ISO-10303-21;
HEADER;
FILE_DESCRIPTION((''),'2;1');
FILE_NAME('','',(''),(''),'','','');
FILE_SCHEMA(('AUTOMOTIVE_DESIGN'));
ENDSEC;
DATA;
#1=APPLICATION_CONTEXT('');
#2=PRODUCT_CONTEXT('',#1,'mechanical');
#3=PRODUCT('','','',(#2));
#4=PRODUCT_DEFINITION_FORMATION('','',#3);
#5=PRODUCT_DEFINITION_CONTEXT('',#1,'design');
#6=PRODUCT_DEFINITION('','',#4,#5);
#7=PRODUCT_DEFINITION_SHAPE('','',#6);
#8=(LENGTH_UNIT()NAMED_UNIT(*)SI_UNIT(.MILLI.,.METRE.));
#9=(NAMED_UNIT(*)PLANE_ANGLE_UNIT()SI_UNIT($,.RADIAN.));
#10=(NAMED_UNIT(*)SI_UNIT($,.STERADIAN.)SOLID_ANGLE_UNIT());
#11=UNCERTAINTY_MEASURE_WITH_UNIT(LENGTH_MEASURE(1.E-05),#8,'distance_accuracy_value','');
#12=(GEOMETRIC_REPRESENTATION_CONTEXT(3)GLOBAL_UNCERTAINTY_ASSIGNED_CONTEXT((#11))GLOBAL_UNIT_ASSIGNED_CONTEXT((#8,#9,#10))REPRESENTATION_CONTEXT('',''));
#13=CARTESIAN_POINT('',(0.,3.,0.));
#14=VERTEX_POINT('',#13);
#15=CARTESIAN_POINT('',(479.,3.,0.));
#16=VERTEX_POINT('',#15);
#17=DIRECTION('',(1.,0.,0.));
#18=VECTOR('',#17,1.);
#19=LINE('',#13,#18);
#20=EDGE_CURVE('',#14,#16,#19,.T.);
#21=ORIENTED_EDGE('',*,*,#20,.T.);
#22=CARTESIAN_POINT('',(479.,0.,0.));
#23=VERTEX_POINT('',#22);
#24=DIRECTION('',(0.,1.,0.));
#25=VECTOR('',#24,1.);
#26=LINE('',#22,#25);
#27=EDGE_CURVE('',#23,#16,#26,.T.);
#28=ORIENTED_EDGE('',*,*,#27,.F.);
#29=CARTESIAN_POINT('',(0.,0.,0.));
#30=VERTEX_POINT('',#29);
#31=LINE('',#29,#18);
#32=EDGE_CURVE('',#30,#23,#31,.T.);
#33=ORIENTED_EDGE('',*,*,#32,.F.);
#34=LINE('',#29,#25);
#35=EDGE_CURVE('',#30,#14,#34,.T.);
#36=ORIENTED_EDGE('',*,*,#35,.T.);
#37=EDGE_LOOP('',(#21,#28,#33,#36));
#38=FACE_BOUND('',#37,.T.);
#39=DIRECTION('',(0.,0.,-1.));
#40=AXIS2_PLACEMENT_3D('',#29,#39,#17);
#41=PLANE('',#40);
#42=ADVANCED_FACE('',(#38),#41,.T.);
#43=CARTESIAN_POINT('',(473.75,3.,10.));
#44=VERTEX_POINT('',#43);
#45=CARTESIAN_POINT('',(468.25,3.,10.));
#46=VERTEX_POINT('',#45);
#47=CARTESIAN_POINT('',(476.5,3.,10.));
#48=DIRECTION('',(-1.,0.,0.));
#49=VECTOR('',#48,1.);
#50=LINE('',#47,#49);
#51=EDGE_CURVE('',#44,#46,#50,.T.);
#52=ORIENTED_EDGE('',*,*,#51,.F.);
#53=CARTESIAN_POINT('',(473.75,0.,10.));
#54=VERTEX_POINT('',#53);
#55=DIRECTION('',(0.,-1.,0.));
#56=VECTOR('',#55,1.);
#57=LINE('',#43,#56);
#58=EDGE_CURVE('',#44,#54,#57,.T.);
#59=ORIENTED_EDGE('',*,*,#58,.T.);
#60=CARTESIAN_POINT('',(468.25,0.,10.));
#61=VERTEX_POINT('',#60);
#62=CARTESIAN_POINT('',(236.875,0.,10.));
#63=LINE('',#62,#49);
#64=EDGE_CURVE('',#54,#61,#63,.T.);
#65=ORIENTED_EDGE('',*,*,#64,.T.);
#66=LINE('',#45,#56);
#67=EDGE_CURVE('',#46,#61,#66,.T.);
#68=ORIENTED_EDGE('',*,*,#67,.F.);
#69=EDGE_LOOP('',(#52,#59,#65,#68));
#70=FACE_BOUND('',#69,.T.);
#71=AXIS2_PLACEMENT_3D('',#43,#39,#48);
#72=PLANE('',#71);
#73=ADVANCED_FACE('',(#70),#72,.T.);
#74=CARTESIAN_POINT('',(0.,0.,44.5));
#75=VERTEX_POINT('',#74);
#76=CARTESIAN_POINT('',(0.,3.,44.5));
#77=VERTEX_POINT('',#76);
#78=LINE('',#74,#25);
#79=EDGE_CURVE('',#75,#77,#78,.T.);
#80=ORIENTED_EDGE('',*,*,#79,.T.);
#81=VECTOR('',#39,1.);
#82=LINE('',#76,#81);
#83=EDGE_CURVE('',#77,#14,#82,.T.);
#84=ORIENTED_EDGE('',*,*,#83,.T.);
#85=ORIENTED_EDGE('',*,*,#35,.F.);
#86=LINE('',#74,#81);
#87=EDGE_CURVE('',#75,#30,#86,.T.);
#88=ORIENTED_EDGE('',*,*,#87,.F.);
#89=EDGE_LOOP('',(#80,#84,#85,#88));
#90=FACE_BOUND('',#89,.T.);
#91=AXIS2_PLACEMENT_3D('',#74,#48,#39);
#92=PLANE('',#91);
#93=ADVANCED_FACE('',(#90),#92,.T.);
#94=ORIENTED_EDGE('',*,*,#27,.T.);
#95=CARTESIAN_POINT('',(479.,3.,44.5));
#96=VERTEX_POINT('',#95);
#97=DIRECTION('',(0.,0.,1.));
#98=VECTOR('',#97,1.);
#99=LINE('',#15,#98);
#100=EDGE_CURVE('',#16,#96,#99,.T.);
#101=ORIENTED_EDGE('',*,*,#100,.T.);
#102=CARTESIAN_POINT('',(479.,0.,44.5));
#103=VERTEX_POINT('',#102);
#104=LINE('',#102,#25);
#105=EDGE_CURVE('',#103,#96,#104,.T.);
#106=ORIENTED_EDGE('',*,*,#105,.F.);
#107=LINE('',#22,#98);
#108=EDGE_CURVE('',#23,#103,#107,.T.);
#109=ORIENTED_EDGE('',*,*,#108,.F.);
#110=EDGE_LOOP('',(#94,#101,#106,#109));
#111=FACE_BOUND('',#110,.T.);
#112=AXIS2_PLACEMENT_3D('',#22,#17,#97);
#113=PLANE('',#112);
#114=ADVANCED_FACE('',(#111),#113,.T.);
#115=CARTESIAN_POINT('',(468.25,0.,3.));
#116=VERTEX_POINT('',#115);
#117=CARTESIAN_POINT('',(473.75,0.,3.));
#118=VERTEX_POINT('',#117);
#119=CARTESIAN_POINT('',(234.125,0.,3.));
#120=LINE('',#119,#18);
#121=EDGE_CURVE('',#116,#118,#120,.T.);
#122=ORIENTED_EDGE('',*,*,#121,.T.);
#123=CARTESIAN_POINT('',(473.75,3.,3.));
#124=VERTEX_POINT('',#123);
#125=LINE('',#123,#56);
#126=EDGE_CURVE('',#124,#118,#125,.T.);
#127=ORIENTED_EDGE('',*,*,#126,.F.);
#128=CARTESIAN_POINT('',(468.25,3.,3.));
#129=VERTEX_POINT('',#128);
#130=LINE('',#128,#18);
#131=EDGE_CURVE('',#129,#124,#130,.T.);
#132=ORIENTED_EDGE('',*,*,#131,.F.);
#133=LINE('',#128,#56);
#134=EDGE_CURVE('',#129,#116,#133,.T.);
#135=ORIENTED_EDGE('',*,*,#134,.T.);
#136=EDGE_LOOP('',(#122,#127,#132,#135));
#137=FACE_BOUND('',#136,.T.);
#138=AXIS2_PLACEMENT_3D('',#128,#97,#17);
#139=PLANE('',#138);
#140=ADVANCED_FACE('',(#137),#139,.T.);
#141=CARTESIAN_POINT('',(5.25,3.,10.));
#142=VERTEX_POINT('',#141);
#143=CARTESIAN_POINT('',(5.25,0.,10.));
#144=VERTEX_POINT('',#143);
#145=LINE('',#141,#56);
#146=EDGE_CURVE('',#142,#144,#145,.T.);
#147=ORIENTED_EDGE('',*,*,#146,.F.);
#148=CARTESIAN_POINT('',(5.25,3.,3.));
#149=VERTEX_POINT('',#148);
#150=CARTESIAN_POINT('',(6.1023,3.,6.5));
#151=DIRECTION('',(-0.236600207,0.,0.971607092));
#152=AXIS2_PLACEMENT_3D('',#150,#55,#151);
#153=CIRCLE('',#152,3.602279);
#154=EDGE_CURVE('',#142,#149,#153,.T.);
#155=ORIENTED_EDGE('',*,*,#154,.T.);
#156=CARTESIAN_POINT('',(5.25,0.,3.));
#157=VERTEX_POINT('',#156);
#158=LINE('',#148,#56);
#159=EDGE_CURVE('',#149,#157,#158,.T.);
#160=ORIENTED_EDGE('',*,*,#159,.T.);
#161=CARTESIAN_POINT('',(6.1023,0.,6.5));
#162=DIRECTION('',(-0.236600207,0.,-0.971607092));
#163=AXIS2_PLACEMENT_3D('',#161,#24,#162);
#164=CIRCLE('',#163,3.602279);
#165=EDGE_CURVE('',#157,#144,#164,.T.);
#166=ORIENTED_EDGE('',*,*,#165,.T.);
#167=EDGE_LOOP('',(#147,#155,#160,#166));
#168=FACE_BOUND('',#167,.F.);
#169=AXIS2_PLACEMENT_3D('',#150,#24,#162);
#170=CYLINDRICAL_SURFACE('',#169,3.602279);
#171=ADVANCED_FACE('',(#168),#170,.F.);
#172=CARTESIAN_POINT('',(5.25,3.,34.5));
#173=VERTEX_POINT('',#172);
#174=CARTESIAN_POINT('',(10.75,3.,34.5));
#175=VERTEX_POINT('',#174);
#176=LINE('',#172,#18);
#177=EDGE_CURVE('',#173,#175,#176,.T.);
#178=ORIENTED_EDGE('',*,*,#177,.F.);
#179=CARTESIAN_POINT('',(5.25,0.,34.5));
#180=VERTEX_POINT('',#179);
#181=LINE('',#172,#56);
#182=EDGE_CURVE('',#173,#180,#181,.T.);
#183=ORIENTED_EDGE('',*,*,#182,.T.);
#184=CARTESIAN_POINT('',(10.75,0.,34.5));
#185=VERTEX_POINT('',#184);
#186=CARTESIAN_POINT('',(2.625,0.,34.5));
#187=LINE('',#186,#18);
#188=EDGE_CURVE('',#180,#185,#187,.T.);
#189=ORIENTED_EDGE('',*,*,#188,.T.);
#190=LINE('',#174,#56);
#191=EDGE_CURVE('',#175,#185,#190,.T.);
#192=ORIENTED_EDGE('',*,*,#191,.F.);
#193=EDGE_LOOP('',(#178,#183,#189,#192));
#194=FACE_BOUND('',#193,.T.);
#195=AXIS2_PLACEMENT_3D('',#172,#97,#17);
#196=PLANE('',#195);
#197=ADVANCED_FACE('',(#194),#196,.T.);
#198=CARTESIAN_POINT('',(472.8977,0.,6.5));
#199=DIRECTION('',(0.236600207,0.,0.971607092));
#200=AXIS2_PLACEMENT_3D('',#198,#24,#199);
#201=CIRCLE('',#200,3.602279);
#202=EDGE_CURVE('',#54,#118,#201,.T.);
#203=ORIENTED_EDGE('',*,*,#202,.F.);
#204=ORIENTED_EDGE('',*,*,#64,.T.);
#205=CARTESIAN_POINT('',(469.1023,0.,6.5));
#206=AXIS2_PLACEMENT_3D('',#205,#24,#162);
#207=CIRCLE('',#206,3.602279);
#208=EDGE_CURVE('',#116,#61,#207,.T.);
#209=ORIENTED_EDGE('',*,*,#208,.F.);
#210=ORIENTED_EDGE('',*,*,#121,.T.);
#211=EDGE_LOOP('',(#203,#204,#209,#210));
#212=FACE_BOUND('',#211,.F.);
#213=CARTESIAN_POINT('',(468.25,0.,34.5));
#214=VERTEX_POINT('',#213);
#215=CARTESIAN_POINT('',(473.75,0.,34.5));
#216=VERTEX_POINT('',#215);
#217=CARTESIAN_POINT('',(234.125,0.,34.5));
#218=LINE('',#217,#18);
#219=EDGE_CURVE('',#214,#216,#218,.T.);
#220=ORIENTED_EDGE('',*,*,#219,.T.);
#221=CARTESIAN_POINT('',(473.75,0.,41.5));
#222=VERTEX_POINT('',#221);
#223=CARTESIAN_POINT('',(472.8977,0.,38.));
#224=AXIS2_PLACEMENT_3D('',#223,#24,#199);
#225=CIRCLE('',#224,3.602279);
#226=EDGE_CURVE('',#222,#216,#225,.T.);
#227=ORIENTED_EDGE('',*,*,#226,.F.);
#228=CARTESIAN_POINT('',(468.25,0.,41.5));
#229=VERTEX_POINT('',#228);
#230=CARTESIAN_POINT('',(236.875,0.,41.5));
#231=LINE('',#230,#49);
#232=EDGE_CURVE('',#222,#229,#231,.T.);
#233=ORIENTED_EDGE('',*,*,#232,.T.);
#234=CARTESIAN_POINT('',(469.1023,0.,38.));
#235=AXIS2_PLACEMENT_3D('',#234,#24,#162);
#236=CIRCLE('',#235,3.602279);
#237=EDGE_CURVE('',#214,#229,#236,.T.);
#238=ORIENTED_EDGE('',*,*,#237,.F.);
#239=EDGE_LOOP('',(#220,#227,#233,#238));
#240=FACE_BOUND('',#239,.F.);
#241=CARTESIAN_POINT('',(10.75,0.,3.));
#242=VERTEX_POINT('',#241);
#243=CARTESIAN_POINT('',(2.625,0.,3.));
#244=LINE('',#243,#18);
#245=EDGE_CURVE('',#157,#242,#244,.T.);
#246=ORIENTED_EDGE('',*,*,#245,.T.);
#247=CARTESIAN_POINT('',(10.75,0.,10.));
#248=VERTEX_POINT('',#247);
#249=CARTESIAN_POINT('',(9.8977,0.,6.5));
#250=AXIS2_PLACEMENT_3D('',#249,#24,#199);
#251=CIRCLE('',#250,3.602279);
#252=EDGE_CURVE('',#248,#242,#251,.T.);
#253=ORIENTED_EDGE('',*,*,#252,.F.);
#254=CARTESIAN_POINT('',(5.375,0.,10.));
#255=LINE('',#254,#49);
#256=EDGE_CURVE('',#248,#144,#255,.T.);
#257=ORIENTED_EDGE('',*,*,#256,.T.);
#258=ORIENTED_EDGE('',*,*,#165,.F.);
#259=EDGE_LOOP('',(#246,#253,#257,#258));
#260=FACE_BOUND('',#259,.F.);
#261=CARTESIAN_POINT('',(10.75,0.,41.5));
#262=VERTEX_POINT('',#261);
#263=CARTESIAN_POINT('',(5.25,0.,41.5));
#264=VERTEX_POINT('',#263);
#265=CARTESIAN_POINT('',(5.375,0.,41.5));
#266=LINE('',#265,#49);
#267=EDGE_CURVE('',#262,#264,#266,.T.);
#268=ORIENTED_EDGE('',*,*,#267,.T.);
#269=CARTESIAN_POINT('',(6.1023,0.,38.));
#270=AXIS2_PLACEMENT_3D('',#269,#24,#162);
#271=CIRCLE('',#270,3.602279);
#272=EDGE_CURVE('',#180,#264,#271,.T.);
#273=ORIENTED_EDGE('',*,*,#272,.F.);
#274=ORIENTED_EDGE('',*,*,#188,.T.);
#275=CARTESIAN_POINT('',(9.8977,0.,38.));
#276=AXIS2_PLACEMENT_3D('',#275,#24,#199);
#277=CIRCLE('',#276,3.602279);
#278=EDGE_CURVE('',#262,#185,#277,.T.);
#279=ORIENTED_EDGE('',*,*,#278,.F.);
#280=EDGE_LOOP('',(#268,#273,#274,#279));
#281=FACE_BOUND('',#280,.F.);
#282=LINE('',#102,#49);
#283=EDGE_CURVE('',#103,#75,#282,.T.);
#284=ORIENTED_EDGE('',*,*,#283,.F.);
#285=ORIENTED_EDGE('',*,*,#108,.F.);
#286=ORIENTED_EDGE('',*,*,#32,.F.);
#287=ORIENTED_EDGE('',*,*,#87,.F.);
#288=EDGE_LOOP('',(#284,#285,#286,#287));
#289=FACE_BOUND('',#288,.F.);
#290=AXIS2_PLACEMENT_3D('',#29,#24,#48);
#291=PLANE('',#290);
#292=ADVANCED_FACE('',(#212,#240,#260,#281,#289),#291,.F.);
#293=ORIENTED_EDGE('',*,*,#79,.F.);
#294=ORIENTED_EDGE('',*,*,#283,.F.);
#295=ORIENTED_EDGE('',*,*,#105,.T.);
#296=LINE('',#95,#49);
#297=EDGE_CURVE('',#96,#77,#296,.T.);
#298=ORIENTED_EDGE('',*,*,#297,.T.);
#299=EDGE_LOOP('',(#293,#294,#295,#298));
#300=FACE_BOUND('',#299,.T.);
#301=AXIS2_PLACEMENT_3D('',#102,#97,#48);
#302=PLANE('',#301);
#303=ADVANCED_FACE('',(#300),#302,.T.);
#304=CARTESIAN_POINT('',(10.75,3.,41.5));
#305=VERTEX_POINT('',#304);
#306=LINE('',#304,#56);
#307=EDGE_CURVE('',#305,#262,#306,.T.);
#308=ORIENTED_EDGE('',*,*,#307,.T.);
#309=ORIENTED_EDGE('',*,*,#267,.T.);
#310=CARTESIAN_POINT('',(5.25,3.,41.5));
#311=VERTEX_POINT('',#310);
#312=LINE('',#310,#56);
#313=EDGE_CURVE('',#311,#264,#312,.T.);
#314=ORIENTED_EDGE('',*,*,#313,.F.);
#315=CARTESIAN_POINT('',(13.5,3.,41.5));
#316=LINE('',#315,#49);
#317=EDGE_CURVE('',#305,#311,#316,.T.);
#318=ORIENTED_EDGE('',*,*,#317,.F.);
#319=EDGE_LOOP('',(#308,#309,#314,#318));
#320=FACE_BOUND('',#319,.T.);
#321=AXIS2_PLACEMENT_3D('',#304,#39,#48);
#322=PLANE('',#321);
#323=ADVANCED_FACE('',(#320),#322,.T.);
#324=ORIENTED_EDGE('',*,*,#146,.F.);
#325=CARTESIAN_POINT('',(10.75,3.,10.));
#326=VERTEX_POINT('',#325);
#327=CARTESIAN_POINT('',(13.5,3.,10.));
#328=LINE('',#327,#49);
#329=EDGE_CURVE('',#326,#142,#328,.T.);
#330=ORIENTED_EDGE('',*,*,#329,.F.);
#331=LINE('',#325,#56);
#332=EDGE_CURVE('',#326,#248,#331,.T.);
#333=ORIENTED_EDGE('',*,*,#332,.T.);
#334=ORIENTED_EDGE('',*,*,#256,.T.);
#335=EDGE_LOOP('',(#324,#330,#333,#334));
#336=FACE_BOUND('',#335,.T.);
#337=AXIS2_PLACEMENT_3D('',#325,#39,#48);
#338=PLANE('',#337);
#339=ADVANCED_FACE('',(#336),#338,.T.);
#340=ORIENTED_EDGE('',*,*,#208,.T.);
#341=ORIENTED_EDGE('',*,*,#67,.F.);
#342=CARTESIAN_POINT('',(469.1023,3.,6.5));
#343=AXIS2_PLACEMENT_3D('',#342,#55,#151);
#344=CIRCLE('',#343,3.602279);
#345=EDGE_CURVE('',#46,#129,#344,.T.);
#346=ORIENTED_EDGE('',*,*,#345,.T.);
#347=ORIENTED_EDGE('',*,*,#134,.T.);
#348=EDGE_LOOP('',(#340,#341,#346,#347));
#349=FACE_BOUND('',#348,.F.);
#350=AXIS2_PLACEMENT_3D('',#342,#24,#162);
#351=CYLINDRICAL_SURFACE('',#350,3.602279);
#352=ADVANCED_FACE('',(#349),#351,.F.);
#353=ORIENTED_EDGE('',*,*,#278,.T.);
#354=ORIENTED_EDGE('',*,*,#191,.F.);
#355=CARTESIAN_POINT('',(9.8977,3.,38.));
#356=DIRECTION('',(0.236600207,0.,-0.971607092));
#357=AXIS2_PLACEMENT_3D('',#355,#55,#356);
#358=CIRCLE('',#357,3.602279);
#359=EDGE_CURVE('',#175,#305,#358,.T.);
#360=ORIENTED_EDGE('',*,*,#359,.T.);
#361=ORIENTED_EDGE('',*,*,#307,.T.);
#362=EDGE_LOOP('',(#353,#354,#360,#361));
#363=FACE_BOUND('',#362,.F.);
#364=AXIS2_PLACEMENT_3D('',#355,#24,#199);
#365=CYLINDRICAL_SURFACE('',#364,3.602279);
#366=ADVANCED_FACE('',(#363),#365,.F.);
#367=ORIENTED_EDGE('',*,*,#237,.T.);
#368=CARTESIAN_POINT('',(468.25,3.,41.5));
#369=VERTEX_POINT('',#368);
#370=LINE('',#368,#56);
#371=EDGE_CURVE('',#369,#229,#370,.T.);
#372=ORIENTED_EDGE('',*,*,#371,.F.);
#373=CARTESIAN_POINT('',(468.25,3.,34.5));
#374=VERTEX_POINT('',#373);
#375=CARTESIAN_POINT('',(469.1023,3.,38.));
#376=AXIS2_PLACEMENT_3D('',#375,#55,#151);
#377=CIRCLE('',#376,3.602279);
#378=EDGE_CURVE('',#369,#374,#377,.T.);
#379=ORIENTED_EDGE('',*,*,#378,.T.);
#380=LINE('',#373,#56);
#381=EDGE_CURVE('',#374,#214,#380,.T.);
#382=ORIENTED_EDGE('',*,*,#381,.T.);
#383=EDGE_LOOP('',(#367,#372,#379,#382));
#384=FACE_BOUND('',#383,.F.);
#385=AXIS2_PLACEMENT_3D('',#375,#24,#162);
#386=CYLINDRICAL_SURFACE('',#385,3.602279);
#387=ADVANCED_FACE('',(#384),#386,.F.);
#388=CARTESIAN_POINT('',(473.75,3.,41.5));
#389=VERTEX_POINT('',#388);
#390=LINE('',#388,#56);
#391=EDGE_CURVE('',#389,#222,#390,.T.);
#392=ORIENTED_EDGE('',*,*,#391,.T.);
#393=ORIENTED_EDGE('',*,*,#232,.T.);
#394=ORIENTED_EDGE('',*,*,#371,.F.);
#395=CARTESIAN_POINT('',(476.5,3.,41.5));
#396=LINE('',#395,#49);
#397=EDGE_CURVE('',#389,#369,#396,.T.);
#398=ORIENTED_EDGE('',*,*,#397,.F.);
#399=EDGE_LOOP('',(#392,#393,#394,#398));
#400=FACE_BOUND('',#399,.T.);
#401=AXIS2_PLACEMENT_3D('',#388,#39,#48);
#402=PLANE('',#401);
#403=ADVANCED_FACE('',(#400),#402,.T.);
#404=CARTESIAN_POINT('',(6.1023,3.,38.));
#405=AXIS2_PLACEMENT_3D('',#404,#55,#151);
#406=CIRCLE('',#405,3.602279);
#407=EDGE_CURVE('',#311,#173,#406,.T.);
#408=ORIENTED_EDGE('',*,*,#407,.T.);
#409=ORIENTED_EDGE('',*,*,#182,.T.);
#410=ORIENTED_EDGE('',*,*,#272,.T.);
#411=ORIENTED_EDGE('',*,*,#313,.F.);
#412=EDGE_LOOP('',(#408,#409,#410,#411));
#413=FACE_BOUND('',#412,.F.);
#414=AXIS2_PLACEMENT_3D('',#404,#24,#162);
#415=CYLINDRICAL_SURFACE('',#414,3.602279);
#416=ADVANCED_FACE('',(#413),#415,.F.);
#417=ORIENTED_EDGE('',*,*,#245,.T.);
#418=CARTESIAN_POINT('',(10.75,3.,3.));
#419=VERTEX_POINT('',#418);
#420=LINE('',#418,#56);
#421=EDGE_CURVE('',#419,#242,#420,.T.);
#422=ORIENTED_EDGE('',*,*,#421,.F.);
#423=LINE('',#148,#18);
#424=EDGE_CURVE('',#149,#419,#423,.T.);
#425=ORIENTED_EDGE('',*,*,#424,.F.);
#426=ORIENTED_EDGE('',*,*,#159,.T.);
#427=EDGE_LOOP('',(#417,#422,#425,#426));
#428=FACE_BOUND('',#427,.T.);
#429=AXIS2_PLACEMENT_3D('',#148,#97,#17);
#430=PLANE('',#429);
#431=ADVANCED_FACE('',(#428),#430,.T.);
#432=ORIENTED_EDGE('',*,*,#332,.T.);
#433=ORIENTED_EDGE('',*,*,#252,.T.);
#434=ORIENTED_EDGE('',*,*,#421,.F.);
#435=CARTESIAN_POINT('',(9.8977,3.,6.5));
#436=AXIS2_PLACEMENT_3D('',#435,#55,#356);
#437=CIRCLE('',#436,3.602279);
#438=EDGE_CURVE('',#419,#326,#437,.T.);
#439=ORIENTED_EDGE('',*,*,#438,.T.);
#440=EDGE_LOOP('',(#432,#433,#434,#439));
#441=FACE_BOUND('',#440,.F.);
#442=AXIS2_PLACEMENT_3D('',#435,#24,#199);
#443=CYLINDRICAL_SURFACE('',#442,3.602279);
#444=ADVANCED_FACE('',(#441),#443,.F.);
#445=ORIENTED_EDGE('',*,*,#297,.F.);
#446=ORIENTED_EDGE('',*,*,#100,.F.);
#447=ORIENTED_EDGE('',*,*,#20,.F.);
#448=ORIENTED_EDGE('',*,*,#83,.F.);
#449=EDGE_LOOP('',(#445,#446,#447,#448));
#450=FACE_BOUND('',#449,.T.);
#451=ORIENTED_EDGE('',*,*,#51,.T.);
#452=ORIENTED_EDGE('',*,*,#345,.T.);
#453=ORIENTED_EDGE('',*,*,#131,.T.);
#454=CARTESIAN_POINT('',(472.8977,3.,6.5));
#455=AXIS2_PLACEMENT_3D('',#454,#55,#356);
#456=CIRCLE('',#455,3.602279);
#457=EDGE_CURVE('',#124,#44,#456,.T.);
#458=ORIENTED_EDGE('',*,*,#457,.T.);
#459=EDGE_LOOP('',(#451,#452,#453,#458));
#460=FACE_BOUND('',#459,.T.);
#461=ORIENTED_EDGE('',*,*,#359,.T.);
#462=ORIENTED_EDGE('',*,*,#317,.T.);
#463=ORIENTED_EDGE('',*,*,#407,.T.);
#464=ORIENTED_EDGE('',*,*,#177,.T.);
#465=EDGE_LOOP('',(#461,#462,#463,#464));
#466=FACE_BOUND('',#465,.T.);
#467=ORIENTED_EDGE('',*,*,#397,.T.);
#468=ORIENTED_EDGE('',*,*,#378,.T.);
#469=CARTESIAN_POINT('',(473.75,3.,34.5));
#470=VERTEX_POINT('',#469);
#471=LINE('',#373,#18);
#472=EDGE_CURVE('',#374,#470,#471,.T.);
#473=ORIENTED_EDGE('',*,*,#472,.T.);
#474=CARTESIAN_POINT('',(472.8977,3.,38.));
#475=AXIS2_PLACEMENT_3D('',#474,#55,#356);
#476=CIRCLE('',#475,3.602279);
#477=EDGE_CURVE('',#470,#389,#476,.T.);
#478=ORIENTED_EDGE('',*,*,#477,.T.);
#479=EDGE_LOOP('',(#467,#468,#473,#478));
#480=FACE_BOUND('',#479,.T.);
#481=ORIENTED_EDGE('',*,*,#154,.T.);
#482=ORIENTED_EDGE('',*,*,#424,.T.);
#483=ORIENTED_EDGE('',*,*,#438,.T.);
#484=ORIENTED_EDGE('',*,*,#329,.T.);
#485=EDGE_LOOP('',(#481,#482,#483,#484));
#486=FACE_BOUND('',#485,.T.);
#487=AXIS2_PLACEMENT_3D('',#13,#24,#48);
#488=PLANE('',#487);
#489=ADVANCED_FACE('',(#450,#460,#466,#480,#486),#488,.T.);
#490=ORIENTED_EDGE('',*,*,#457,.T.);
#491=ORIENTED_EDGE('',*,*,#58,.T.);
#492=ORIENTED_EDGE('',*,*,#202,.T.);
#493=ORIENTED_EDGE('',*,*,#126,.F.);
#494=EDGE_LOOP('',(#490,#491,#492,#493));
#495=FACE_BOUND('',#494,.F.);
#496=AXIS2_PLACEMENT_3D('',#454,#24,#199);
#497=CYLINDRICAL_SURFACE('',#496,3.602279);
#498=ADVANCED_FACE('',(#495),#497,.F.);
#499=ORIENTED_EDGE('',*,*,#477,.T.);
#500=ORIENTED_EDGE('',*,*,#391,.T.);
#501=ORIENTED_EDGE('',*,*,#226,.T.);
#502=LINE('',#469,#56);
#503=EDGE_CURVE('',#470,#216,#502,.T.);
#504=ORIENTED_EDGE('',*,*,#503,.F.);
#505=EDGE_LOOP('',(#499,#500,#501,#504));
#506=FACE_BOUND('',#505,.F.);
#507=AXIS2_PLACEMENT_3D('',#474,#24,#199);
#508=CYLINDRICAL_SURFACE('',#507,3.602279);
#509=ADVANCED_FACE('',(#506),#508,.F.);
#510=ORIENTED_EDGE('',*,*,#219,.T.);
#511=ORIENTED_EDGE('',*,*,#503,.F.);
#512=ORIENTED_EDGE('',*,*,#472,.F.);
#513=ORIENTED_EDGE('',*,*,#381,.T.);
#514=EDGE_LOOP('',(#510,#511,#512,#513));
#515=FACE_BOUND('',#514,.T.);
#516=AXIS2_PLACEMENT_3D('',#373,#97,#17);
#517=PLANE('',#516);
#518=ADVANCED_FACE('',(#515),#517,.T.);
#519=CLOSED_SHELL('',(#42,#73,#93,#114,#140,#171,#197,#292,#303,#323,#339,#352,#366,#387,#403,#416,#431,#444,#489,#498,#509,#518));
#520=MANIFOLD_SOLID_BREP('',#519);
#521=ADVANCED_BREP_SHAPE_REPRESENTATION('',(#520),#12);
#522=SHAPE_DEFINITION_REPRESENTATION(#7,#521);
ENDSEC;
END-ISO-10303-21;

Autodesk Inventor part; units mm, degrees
ref_plane "YZ Plane" through (0, 0, 0) normal (1, 0, 0) x (0, 1, 0)
ref_plane "XZ Plane" through (0, 0, 0) normal (0, 1, 0) x (-1, 0, 0)
ref_plane "XY Plane" through (0, 0, 0) normal (0, 0, 1) x (1, 0, 0)
sketch "Esboço1" plane through (0, 0, 0) normal (0, 1, 0) x (-1, 0, 0)
  line L0 (0, 0) -> (-479, 0)
  line L1 (-479, 0) -> (-479, 44.5)
  line L2 (-479, 44.5) -> (0, 44.5)
  line L3 (0, 44.5) -> (0, 0)
  dimension "d0" = 479
  dimension "d1" = 44.5
extrude "Extrusão1" add sketch "Esboço1" along normal blind 3
sketch "Esboço2" plane through (0, 3, 0) normal (0, 1, 0) x (1, 0, 0)
  line L0 (479, 0) -> (0, 0) projected
  line L1 (0, 0) -> (0, -44.5) projected
  line L2 (5.25, -3) -> (10.75, -3)
  line L3 (13.5, -3) -> (13.5, -10)
  line L4 (13.5, -10) -> (2.5, -10)
  line L5 (2.5, -10) -> (2.5, -3)
  arc A0 (5.25, -3) -> (5.25, -10) centre (6.1023, -6.5) ccw
  arc A1 (10.75, -10) -> (10.75, -3) centre (9.8977, -6.5) ccw
  line L6 (10.75, -3) -> (10.75, -10) construction
  line L7 (10.75, -3) -> (17.75, -3) construction
  dimension "d8" = 7
  dimension "d10" = 11
  dimension "d11" = 2.5
  dimension "d12" = 3
  dimension "d13" = 90
  dimension "d14" = 5.5
  dimension "d20" = 3.6023
  dimension "d21" = 3.6023
extrude "Extrusão2" cut sketch "Esboço2" against normal blind 10 contours L2 A1 L4 A0
pattern_linear "Padrão retangular1" count 2 spacing 31.5 along (0, 0, 1) count 2 spacing 463 along (1, 0, 0) of "Extrusão2"
equation "\"d20\" = d21"
properties part number "1U 19pol 3mm painel"
